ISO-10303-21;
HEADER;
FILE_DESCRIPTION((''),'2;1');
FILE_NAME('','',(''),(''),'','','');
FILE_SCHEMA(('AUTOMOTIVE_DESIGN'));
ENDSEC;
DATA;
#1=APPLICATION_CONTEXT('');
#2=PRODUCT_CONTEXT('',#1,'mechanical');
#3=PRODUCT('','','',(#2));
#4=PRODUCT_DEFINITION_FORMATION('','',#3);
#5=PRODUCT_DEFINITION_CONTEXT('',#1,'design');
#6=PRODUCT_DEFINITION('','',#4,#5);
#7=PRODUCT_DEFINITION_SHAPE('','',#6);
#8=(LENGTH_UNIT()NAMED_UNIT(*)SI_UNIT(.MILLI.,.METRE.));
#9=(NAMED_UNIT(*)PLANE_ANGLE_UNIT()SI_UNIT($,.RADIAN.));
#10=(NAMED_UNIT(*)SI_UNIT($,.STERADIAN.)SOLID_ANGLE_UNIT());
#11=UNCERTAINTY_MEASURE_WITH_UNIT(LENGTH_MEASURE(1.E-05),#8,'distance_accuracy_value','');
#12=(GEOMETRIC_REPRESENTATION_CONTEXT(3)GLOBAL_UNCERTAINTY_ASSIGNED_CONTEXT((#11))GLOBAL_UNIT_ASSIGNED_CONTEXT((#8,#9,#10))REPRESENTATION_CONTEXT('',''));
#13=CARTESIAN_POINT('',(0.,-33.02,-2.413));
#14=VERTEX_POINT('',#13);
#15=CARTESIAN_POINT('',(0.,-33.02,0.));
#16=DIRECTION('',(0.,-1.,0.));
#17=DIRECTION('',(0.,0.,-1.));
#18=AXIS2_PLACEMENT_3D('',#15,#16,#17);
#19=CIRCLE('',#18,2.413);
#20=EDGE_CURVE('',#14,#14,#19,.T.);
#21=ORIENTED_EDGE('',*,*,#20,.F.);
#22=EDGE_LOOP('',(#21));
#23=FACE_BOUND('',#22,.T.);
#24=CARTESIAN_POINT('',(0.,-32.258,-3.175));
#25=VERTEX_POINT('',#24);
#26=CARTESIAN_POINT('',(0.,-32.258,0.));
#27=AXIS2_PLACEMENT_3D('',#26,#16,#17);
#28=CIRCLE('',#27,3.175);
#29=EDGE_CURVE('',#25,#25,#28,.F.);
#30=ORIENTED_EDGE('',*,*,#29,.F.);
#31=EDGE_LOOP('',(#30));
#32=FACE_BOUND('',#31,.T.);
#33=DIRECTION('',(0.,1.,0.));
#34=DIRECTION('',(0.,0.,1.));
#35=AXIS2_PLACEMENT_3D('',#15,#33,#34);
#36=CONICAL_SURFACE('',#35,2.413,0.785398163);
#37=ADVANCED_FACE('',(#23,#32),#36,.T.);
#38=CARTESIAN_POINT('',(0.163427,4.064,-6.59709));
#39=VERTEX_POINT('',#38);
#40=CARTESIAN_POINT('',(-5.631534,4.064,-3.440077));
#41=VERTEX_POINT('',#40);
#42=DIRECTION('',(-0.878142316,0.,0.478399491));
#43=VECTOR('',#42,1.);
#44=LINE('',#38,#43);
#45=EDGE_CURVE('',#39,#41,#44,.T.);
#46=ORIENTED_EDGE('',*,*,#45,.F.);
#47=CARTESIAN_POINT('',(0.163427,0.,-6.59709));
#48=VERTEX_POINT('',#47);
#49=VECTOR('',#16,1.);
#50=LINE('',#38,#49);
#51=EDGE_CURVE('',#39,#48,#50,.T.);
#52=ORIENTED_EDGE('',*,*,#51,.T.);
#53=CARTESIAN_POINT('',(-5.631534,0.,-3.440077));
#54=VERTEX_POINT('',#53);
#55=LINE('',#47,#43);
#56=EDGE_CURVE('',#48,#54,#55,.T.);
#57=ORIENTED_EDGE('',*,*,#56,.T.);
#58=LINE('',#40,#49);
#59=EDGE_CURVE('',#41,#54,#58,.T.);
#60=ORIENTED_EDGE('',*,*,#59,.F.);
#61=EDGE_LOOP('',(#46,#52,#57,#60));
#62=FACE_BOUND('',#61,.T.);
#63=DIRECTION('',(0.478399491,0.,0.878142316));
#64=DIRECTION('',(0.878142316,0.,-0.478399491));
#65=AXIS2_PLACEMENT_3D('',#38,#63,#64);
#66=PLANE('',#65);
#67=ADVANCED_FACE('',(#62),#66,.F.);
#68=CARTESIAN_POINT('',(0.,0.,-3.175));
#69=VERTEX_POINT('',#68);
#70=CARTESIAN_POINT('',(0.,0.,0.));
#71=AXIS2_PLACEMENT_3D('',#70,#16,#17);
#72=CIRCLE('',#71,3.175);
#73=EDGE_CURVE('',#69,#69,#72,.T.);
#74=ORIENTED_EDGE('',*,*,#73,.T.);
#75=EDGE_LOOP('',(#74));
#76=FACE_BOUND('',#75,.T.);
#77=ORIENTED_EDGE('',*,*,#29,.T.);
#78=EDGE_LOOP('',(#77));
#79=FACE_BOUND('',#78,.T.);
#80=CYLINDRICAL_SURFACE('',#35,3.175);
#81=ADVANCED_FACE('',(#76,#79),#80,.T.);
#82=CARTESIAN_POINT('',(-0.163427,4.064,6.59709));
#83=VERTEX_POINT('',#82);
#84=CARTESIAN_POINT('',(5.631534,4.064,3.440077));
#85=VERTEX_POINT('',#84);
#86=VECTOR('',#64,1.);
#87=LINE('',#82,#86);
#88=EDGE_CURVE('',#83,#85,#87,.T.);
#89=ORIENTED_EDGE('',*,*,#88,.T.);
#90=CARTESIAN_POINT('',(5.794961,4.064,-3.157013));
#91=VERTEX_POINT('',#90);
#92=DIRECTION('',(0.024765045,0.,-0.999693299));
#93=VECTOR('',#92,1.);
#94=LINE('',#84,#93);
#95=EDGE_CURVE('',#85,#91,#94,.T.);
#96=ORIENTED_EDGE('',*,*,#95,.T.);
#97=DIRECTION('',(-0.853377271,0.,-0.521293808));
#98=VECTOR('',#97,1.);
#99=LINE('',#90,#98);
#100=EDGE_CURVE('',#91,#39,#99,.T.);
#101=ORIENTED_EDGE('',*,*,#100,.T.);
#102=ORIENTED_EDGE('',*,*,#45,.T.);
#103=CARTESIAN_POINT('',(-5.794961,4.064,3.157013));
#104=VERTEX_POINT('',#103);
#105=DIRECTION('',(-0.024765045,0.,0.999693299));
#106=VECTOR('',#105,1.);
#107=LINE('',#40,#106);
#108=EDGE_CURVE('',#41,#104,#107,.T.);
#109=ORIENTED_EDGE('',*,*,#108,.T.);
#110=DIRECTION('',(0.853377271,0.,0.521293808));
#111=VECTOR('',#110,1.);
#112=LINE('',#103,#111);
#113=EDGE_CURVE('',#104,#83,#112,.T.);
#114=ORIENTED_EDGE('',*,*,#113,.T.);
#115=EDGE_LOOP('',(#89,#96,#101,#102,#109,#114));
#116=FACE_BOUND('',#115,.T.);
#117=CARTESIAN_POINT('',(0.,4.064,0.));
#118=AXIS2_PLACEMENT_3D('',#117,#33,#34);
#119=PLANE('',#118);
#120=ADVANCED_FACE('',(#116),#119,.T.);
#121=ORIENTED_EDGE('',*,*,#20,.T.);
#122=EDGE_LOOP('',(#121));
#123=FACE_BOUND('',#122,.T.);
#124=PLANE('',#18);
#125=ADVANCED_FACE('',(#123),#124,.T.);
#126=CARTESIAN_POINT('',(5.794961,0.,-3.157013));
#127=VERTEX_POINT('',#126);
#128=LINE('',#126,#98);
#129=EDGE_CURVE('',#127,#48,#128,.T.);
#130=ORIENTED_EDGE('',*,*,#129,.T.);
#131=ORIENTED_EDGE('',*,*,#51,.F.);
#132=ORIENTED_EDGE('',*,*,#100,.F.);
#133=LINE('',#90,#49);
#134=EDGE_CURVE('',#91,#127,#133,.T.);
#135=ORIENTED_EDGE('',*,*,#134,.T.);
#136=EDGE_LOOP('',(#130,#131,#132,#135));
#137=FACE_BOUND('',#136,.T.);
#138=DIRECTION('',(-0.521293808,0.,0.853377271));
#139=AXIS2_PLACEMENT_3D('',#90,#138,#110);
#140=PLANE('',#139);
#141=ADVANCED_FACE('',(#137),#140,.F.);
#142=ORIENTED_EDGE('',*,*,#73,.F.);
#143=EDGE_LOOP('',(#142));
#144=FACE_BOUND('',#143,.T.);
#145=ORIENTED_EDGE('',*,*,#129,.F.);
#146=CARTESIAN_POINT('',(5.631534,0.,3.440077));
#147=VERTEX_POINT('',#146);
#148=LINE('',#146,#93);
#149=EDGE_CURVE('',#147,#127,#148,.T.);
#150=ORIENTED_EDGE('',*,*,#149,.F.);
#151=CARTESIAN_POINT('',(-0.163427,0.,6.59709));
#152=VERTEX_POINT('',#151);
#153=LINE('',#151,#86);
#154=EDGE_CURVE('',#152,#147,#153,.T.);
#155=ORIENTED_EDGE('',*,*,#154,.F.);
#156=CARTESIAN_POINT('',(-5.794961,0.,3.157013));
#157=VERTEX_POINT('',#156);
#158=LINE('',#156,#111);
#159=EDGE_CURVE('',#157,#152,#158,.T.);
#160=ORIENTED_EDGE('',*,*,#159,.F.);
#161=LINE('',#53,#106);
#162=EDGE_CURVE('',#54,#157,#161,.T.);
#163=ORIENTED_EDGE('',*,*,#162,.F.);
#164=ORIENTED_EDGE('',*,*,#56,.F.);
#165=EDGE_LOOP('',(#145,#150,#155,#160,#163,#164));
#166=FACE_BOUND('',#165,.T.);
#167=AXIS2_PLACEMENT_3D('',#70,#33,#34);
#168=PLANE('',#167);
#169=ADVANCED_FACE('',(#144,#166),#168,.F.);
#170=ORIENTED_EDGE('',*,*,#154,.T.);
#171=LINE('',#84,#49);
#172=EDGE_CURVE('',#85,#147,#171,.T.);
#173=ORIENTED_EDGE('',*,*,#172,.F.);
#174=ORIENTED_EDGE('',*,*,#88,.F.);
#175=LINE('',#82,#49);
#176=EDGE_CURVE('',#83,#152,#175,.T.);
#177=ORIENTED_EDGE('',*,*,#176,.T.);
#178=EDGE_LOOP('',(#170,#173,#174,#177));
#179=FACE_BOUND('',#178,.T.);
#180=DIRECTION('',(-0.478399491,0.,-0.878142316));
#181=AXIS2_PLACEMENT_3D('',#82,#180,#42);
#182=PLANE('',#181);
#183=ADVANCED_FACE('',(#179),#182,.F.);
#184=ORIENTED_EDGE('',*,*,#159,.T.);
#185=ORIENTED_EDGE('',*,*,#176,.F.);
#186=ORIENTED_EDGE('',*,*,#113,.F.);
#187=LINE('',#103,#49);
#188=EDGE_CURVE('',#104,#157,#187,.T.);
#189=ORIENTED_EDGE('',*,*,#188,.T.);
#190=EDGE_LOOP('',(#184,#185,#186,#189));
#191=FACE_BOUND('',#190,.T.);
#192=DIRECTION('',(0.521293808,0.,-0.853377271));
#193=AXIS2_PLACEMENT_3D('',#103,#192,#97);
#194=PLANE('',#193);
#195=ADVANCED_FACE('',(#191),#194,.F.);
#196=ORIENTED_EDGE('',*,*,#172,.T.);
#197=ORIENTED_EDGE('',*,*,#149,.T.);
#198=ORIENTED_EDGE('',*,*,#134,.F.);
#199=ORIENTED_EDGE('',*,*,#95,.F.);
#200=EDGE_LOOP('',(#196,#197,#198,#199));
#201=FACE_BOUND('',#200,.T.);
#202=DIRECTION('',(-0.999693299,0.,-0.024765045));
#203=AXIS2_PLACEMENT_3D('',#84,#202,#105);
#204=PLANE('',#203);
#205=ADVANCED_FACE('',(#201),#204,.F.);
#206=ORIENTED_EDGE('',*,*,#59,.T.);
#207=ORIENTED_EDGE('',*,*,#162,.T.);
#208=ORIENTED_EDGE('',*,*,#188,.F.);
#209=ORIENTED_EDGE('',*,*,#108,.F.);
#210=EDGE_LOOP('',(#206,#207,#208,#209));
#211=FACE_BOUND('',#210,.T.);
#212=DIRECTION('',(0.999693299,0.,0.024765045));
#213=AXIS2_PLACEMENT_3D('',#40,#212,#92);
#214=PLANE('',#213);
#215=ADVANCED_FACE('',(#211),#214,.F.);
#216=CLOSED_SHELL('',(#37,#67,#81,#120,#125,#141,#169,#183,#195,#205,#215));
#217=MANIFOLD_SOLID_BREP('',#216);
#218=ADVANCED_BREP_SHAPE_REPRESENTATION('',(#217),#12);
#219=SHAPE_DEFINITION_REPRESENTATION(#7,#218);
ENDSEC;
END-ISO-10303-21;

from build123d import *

# Parameters (mm, degrees)
BOSS_EXTRUDE1_DEPTH = 4.064
SKETCH2_R           = 3.175
BOSS_EXTRUDE2_DEPTH = 33.02
CHAMFER1_SIZE       = 0.762


with BuildPart() as part:
    # Sketch1 → Boss-Extrude1 (new body)
    with BuildSketch(Plane(origin=(0, 0, 0), x_dir=(1, 0, 0), z_dir=(0, 1, 0))):
        Polygon((5.631533532, -3.440077045), (5.794960878, 3.157012579), (0.163427345, 6.597089624), (-5.631533532, 3.440077045), (-5.794960878, -3.157012579), (-0.163427345, -6.597089624), align=None)
    extrude(amount=BOSS_EXTRUDE1_DEPTH)

    # Sketch2 → Boss-Extrude2 (add)
    with BuildSketch(Plane(origin=(0, 0, 0), x_dir=(-1, 0, 0), z_dir=(0, -1, 0))):
        with Locations(Location((0, 0, 0), (0, 0, 90))):
            Circle(SKETCH2_R)
    extrude(amount=BOSS_EXTRUDE2_DEPTH)

    # Chamfer1
    chamfer1_edges = [part.edges().sort_by_distance(p)[0] for p in [
        (0, -33.02, 3.175),
    ]]
    chamfer(chamfer1_edges, length=CHAMFER1_SIZE)


solid = part.part
